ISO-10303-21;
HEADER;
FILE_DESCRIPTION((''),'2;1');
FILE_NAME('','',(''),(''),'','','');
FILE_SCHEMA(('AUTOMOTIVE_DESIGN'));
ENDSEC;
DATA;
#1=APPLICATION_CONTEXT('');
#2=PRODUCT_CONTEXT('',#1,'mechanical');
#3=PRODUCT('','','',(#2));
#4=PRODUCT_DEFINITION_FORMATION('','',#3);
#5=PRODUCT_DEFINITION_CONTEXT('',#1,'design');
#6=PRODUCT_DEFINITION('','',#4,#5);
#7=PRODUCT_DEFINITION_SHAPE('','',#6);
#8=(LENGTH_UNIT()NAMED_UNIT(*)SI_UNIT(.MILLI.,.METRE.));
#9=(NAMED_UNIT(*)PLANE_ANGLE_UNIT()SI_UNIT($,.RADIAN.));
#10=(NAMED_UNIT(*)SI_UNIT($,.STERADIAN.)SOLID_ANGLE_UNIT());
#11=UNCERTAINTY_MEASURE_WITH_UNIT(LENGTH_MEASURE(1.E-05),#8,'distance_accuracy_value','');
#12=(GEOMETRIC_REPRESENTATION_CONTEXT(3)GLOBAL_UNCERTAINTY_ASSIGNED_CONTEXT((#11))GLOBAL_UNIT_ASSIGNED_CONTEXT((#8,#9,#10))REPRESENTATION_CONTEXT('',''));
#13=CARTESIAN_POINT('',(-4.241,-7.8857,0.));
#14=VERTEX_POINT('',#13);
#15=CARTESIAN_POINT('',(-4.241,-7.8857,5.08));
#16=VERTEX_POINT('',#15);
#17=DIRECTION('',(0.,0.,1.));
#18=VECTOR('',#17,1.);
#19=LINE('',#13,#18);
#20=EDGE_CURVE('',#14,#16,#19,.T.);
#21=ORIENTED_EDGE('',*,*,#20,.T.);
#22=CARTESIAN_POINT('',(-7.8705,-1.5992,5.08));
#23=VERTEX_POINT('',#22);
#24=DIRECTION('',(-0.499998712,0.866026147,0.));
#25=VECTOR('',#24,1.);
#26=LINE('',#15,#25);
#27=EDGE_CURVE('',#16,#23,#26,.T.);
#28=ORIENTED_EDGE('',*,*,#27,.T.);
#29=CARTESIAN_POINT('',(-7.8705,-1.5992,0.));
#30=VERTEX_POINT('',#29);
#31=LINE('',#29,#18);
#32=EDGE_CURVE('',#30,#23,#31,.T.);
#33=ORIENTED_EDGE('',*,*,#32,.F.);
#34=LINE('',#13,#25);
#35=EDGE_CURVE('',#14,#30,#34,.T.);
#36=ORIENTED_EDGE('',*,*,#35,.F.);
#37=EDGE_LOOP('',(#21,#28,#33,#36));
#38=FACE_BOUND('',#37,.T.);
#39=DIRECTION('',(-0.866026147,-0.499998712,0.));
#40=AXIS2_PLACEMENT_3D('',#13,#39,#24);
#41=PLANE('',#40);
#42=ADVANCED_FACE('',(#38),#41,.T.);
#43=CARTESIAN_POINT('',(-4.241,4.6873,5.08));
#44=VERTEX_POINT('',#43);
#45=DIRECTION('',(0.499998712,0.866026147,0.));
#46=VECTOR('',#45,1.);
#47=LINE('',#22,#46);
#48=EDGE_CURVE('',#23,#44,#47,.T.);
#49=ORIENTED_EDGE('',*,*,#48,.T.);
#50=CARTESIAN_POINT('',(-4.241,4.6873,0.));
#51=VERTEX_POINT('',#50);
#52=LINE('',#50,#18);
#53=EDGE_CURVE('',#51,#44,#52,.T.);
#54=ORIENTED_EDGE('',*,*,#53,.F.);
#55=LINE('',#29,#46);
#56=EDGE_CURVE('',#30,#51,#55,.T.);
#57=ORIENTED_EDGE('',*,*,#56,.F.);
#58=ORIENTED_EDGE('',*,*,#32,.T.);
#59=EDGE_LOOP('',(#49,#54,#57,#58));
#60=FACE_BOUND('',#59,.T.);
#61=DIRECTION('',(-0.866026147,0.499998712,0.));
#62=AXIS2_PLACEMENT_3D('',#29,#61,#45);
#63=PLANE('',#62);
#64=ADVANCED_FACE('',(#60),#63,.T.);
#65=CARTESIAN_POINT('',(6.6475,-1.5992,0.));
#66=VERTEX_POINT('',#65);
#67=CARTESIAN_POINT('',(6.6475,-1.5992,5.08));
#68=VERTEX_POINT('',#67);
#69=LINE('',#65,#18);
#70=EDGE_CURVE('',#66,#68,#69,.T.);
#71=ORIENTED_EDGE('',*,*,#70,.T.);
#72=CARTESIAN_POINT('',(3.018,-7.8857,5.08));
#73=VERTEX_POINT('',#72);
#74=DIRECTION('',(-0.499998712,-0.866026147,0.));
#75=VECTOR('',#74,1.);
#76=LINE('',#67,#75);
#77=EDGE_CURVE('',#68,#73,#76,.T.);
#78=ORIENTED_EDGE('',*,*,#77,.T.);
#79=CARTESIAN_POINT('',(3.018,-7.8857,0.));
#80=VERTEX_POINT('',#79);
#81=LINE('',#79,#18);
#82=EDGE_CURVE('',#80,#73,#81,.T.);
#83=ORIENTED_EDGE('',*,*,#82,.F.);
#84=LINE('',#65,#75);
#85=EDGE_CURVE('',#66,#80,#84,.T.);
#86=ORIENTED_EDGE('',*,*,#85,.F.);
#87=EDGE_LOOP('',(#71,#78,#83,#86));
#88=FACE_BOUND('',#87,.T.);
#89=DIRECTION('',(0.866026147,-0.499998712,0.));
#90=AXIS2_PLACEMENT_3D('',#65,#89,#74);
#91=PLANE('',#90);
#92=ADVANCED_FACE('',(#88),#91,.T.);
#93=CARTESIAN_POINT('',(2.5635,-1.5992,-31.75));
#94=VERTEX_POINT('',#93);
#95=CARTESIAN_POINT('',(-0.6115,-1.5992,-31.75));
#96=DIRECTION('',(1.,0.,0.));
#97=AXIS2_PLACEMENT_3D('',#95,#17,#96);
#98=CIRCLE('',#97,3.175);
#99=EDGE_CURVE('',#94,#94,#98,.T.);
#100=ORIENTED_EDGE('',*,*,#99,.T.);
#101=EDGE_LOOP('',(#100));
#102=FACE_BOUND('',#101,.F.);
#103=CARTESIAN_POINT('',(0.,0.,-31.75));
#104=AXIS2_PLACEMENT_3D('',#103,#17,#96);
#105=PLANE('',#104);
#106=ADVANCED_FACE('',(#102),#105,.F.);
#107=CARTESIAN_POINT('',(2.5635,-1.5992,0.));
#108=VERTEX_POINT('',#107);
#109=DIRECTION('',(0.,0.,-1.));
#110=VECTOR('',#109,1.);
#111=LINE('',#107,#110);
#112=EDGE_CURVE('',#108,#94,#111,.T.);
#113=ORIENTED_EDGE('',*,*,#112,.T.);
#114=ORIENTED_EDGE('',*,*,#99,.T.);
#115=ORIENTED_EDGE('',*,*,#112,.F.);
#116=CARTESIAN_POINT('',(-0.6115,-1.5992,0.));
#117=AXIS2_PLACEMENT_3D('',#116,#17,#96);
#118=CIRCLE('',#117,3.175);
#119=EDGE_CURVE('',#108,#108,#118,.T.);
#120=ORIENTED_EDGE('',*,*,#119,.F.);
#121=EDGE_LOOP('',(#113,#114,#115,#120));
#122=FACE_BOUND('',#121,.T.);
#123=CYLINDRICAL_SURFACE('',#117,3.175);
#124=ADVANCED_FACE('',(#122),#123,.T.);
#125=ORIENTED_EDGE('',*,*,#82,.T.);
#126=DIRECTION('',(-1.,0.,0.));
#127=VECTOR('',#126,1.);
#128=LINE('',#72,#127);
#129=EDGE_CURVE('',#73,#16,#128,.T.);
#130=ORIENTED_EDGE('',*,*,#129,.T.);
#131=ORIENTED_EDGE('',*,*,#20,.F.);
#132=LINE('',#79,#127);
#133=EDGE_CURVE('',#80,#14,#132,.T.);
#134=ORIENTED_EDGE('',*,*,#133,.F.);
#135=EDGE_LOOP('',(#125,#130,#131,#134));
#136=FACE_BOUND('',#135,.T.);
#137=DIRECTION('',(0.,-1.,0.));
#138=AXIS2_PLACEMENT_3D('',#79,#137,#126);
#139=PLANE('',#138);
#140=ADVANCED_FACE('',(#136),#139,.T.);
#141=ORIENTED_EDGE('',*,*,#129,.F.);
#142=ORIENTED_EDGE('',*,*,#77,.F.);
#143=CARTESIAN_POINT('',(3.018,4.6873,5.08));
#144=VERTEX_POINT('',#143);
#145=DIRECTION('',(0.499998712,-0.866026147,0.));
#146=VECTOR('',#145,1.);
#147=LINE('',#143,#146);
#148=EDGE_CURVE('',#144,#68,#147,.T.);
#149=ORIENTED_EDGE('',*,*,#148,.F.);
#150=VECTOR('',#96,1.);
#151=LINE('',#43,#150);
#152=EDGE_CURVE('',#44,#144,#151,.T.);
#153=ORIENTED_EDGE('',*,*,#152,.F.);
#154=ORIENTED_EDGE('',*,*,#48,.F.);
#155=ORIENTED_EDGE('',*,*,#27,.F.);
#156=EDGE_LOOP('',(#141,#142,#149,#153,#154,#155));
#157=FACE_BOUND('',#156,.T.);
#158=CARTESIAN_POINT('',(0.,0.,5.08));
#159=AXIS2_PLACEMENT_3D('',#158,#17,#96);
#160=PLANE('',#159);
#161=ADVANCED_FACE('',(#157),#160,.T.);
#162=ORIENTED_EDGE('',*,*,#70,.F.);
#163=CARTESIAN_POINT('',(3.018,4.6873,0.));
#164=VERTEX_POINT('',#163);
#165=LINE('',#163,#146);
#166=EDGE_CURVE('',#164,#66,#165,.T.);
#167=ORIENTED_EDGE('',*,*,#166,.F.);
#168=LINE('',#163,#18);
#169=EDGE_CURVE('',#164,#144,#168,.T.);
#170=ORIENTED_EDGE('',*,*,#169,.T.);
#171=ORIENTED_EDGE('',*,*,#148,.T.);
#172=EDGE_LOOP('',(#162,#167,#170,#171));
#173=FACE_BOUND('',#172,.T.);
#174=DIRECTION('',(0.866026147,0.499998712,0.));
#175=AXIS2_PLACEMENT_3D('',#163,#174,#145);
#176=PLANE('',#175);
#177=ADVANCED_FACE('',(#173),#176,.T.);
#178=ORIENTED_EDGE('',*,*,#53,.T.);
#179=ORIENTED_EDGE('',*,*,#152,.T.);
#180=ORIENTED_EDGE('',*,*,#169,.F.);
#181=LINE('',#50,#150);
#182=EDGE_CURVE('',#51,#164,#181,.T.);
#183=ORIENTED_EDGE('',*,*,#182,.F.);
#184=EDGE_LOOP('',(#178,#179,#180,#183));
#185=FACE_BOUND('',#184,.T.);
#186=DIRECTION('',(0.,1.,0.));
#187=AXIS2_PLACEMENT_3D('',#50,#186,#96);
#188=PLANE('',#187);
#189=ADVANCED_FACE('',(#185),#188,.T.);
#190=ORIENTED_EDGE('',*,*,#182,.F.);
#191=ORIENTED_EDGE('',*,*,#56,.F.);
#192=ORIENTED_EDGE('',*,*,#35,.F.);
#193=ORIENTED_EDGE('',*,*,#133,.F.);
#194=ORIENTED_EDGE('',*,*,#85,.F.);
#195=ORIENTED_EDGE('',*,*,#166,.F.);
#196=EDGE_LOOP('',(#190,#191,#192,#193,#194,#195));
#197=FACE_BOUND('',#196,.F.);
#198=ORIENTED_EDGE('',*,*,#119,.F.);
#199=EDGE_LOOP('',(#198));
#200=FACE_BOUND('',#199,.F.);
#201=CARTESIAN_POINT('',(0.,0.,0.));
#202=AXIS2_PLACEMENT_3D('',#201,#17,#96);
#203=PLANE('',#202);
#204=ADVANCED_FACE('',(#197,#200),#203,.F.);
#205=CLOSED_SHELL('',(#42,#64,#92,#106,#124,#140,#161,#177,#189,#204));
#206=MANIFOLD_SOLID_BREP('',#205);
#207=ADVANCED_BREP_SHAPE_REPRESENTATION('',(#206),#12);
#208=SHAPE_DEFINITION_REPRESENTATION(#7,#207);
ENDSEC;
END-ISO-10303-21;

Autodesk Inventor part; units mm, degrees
ref_plane "YZ Plane" through (0, 0, 0) normal (1, 0, 0) x (0, 1, 0)
ref_plane "XZ Plane" through (0, 0, 0) normal (0, 1, 0) x (-1, 0, 0)
ref_plane "XY Plane" through (0, 0, 0) normal (0, 0, 1) x (1, 0, 0)
sketch "Sketch1" plane through (0, 0, 0) normal (0, 0, 1) x (1, 0, 0)
  circle A0 centre (-0.6115, -1.5992) radius 3.175
  line L0 (-7.8705, -1.5992) -> (-4.241, 4.6873)
  line L1 (-4.241, 4.6873) -> (3.018, 4.6873)
  line L2 (3.018, 4.6873) -> (6.6475, -1.5992)
  line L3 (6.6475, -1.5992) -> (3.018, -7.8857)
  line L4 (3.018, -7.8857) -> (-4.241, -7.8857)
  line L5 (-4.241, -7.8857) -> (-7.8705, -1.5992)
  dimension "d10" = 12.573
extrude "Extrusion1" add sketch "Sketch1" against normal blind 31.75 contours A0
extrude "Extrusion2" add sketch "Sketch1" along normal blind 5.08 contours A0 | L0 L1 L2 L3 L4 L5
thread "Thread1" size "5/16-18 UNC" class "2A" standard "ANSI Unified Screw Threads" full length
properties part number "HW-00037"
